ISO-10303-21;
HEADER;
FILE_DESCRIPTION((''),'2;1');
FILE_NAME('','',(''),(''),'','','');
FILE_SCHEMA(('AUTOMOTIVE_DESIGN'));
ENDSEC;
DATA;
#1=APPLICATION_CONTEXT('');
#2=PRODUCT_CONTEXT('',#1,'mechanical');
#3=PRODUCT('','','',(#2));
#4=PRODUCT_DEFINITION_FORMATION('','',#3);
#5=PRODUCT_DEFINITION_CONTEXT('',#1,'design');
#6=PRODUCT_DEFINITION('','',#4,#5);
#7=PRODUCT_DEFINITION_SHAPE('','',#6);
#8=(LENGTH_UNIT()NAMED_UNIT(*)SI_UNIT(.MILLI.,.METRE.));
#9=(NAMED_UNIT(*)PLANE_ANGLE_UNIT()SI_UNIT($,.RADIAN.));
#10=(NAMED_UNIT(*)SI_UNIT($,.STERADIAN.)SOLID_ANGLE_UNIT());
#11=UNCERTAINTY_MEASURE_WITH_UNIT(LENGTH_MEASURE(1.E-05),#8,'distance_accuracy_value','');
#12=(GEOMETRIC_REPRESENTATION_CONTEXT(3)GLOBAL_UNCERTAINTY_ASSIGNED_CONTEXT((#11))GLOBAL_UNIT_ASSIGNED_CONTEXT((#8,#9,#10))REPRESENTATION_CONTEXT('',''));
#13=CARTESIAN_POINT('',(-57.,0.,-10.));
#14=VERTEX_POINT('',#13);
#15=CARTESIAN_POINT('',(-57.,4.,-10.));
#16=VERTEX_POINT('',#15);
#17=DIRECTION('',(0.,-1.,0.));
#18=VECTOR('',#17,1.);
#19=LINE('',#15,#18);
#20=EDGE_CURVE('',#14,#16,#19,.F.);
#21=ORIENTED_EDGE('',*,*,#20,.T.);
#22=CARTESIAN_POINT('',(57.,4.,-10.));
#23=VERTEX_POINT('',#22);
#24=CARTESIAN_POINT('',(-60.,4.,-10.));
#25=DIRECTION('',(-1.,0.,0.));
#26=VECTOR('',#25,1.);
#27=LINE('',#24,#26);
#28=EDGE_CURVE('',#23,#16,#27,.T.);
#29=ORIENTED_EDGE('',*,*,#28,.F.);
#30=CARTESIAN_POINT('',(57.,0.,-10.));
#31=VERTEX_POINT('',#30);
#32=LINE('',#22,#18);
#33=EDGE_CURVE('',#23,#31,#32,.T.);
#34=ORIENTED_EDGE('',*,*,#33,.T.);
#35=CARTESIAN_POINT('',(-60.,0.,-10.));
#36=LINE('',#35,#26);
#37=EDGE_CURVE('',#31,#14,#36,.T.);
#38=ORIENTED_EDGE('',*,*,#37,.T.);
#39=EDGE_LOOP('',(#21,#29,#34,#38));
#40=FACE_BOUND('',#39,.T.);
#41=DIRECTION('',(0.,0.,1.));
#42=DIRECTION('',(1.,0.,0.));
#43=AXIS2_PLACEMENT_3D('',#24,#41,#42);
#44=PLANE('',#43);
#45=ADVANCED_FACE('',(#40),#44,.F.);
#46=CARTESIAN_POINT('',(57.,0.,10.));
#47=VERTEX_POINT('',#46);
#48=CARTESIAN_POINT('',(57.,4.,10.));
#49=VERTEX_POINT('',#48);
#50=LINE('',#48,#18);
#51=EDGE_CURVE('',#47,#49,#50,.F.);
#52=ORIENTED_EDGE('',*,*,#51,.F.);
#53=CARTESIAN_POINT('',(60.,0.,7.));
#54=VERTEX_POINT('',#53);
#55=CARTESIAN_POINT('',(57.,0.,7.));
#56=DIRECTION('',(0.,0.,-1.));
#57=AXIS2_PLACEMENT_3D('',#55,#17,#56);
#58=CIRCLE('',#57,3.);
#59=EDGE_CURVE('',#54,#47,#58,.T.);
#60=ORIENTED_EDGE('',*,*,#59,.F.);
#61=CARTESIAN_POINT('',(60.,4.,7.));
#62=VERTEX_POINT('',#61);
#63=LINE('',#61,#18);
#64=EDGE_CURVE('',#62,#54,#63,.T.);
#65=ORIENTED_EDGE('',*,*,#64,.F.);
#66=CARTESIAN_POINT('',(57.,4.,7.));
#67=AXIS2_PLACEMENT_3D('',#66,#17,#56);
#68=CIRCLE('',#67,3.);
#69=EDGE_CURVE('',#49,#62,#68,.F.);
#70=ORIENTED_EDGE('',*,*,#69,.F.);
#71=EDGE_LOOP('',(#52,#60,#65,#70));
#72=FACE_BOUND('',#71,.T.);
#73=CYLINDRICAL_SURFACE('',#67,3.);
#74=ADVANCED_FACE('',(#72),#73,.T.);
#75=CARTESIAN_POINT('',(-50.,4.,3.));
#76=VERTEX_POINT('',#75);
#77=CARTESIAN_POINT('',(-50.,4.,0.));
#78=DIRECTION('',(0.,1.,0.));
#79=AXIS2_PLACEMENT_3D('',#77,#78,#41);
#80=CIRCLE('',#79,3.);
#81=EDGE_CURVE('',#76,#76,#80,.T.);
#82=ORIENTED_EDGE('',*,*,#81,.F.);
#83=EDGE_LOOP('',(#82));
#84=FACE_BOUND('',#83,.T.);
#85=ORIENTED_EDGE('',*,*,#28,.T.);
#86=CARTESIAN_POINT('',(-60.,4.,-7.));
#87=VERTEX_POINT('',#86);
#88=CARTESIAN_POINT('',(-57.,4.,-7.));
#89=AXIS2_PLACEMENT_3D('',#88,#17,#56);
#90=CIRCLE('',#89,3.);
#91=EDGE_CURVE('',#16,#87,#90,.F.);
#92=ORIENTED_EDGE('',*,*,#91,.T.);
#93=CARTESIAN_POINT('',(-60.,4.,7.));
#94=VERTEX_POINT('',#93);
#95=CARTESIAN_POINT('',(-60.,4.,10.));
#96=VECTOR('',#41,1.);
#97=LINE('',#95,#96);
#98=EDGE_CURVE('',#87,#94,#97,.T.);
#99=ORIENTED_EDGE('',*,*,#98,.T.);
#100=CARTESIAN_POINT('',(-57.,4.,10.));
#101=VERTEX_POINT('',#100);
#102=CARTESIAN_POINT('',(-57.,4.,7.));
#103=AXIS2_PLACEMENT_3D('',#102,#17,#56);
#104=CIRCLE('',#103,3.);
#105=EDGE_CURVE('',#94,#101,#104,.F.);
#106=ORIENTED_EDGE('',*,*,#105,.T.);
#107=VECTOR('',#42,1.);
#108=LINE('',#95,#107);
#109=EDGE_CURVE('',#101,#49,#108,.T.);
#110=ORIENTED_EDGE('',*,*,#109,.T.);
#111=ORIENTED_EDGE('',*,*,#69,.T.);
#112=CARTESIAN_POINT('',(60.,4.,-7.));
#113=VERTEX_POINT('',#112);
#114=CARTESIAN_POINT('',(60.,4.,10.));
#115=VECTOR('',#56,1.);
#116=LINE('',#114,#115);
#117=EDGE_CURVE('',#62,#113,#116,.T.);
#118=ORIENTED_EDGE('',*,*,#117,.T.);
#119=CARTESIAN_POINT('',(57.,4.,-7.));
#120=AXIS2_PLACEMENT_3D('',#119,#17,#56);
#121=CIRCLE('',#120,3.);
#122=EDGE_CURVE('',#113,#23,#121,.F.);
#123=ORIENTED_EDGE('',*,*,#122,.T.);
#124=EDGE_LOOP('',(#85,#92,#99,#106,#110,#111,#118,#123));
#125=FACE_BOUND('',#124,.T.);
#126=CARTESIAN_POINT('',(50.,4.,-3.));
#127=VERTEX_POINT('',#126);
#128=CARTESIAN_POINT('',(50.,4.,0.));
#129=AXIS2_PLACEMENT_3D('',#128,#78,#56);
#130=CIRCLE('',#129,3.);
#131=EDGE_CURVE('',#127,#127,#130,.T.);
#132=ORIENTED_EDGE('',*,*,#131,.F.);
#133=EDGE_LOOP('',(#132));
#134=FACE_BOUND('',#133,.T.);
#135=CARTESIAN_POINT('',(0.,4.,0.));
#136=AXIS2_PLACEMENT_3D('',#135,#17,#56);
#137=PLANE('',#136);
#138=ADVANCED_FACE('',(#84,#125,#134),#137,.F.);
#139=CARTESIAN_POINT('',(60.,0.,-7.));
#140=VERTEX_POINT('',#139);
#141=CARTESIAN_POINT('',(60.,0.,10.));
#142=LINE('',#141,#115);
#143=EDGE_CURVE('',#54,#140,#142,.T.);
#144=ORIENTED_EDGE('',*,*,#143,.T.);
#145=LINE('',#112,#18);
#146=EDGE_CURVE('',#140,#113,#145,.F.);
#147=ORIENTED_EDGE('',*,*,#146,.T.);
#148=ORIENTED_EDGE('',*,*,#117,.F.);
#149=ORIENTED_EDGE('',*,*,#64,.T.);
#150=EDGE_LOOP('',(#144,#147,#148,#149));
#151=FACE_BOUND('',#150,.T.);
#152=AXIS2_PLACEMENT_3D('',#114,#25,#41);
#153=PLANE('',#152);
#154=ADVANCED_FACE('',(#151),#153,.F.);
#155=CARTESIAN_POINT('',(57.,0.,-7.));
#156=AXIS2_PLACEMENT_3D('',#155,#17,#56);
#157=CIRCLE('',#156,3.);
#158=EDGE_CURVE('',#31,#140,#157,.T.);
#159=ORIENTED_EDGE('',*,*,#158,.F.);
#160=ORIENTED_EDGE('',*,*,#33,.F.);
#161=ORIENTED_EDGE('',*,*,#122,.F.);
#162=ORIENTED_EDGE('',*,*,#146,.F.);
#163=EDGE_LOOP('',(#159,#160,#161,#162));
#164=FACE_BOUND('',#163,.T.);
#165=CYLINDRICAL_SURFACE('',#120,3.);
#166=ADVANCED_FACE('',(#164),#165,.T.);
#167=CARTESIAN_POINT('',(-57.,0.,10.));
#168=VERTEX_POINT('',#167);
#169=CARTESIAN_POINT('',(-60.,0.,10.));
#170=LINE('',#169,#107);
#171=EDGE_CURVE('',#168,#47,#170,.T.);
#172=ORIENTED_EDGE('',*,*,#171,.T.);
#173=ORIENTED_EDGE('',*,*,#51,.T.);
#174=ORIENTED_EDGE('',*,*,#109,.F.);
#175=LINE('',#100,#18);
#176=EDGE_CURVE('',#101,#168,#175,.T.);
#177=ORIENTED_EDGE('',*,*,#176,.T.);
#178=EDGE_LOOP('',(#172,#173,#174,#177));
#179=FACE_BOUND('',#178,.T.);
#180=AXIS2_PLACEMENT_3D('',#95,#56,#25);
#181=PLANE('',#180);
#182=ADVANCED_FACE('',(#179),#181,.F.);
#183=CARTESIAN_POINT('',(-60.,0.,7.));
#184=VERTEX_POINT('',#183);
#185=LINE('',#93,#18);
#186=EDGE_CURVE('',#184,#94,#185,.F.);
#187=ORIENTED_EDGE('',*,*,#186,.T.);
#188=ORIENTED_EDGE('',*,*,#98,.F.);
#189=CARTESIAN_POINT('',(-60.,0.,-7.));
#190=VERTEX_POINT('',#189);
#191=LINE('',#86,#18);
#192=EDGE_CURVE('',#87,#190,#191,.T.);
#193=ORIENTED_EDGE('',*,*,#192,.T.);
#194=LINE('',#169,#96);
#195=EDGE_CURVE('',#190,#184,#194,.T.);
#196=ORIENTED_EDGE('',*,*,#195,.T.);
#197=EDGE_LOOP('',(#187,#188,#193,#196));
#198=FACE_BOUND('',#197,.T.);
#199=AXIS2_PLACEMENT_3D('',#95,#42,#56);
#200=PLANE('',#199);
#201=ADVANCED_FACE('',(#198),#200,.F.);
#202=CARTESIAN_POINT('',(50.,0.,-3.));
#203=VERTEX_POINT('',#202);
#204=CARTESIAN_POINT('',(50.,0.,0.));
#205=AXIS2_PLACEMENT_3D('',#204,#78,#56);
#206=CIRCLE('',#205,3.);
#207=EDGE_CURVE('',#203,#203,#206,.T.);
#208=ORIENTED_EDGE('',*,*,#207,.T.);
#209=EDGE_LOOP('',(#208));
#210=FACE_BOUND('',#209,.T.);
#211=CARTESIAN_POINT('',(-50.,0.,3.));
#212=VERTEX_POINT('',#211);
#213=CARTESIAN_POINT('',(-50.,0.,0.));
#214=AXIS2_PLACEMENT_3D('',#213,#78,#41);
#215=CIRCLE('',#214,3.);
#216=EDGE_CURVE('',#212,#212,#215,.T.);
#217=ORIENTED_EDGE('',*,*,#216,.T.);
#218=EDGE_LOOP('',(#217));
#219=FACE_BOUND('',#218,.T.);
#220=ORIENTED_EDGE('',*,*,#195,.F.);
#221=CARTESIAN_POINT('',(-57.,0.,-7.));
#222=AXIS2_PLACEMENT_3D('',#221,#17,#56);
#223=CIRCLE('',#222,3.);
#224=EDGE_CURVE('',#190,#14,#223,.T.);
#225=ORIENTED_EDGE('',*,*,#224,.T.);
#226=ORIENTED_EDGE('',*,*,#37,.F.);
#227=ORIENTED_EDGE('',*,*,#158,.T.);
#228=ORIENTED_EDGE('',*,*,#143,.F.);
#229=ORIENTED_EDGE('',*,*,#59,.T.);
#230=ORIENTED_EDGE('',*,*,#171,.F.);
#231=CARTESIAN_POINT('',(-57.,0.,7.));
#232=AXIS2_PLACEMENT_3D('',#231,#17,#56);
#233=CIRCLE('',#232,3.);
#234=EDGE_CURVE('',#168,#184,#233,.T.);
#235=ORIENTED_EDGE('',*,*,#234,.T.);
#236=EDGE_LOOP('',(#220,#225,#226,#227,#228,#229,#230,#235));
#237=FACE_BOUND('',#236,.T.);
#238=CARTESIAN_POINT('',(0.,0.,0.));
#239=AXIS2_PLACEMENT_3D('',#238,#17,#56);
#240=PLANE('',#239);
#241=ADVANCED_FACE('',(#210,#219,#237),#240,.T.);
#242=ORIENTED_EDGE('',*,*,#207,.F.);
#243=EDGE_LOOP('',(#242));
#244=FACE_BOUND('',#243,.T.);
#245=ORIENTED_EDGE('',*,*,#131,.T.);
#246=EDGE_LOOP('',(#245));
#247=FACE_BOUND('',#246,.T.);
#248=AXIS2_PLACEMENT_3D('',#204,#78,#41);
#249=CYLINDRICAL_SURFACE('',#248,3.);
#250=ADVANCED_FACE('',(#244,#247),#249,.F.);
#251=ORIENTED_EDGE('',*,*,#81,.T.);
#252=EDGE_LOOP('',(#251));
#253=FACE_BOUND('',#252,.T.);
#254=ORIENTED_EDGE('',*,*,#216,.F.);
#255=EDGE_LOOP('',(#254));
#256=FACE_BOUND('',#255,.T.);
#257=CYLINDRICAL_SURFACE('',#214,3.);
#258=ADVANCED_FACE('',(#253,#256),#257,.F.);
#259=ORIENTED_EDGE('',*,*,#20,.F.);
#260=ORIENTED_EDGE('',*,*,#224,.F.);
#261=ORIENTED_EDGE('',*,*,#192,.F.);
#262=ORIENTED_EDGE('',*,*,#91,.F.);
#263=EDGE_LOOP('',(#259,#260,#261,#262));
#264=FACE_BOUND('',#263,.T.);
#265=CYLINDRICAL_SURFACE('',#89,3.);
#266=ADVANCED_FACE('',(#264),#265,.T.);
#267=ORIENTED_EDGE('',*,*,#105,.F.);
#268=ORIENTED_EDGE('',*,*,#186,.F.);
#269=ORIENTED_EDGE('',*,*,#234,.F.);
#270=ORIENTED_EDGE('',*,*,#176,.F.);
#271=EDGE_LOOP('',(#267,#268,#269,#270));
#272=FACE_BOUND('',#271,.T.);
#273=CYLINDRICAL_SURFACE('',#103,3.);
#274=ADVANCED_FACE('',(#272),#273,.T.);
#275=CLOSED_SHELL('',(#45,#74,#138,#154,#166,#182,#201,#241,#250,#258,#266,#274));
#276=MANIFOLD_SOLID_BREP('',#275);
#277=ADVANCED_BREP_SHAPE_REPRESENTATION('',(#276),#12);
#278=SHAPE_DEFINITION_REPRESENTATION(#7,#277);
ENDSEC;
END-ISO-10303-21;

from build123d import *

# Parameters (mm, degrees)
SKETCH1_W           = 120
SKETCH1_H           = 20
BOSS_EXTRUDE1_DEPTH = 4
SKETCH2_R           = 3
CUT_EXTRUDE1_DEPTH  = 4
FILLET1_R           = 3


with BuildPart() as part:
    # Sketch1 → Boss-Extrude1 (new body)
    with BuildSketch(Plane(origin=(0, 0, 0), x_dir=(1, 0, 0), z_dir=(0, 1, 0))):
        Rectangle(SKETCH1_W, SKETCH1_H)
    extrude(amount=BOSS_EXTRUDE1_DEPTH)

    # Sketch2 → Cut-Extrude1 (cut)
    with BuildSketch(Plane(origin=(0, 4, 0), x_dir=(1, 0, 0), z_dir=(0, 1, 0))):
        with Locations((-50, 0)):
            Circle(SKETCH2_R)
        with Locations((50, 0)):
            Circle(SKETCH2_R)
    extrude(amount=-CUT_EXTRUDE1_DEPTH, mode=Mode.SUBTRACT)

    # Fillet1
    fillet1_edges = [part.edges().sort_by_distance(p)[0] for p in [
        (60, 2, 10),
        (-60, 2, 10),
        (-60, 2, -10),
        (60, 2, -10),
    ]]
    fillet(fillet1_edges, radius=FILLET1_R)


solid = part.part
